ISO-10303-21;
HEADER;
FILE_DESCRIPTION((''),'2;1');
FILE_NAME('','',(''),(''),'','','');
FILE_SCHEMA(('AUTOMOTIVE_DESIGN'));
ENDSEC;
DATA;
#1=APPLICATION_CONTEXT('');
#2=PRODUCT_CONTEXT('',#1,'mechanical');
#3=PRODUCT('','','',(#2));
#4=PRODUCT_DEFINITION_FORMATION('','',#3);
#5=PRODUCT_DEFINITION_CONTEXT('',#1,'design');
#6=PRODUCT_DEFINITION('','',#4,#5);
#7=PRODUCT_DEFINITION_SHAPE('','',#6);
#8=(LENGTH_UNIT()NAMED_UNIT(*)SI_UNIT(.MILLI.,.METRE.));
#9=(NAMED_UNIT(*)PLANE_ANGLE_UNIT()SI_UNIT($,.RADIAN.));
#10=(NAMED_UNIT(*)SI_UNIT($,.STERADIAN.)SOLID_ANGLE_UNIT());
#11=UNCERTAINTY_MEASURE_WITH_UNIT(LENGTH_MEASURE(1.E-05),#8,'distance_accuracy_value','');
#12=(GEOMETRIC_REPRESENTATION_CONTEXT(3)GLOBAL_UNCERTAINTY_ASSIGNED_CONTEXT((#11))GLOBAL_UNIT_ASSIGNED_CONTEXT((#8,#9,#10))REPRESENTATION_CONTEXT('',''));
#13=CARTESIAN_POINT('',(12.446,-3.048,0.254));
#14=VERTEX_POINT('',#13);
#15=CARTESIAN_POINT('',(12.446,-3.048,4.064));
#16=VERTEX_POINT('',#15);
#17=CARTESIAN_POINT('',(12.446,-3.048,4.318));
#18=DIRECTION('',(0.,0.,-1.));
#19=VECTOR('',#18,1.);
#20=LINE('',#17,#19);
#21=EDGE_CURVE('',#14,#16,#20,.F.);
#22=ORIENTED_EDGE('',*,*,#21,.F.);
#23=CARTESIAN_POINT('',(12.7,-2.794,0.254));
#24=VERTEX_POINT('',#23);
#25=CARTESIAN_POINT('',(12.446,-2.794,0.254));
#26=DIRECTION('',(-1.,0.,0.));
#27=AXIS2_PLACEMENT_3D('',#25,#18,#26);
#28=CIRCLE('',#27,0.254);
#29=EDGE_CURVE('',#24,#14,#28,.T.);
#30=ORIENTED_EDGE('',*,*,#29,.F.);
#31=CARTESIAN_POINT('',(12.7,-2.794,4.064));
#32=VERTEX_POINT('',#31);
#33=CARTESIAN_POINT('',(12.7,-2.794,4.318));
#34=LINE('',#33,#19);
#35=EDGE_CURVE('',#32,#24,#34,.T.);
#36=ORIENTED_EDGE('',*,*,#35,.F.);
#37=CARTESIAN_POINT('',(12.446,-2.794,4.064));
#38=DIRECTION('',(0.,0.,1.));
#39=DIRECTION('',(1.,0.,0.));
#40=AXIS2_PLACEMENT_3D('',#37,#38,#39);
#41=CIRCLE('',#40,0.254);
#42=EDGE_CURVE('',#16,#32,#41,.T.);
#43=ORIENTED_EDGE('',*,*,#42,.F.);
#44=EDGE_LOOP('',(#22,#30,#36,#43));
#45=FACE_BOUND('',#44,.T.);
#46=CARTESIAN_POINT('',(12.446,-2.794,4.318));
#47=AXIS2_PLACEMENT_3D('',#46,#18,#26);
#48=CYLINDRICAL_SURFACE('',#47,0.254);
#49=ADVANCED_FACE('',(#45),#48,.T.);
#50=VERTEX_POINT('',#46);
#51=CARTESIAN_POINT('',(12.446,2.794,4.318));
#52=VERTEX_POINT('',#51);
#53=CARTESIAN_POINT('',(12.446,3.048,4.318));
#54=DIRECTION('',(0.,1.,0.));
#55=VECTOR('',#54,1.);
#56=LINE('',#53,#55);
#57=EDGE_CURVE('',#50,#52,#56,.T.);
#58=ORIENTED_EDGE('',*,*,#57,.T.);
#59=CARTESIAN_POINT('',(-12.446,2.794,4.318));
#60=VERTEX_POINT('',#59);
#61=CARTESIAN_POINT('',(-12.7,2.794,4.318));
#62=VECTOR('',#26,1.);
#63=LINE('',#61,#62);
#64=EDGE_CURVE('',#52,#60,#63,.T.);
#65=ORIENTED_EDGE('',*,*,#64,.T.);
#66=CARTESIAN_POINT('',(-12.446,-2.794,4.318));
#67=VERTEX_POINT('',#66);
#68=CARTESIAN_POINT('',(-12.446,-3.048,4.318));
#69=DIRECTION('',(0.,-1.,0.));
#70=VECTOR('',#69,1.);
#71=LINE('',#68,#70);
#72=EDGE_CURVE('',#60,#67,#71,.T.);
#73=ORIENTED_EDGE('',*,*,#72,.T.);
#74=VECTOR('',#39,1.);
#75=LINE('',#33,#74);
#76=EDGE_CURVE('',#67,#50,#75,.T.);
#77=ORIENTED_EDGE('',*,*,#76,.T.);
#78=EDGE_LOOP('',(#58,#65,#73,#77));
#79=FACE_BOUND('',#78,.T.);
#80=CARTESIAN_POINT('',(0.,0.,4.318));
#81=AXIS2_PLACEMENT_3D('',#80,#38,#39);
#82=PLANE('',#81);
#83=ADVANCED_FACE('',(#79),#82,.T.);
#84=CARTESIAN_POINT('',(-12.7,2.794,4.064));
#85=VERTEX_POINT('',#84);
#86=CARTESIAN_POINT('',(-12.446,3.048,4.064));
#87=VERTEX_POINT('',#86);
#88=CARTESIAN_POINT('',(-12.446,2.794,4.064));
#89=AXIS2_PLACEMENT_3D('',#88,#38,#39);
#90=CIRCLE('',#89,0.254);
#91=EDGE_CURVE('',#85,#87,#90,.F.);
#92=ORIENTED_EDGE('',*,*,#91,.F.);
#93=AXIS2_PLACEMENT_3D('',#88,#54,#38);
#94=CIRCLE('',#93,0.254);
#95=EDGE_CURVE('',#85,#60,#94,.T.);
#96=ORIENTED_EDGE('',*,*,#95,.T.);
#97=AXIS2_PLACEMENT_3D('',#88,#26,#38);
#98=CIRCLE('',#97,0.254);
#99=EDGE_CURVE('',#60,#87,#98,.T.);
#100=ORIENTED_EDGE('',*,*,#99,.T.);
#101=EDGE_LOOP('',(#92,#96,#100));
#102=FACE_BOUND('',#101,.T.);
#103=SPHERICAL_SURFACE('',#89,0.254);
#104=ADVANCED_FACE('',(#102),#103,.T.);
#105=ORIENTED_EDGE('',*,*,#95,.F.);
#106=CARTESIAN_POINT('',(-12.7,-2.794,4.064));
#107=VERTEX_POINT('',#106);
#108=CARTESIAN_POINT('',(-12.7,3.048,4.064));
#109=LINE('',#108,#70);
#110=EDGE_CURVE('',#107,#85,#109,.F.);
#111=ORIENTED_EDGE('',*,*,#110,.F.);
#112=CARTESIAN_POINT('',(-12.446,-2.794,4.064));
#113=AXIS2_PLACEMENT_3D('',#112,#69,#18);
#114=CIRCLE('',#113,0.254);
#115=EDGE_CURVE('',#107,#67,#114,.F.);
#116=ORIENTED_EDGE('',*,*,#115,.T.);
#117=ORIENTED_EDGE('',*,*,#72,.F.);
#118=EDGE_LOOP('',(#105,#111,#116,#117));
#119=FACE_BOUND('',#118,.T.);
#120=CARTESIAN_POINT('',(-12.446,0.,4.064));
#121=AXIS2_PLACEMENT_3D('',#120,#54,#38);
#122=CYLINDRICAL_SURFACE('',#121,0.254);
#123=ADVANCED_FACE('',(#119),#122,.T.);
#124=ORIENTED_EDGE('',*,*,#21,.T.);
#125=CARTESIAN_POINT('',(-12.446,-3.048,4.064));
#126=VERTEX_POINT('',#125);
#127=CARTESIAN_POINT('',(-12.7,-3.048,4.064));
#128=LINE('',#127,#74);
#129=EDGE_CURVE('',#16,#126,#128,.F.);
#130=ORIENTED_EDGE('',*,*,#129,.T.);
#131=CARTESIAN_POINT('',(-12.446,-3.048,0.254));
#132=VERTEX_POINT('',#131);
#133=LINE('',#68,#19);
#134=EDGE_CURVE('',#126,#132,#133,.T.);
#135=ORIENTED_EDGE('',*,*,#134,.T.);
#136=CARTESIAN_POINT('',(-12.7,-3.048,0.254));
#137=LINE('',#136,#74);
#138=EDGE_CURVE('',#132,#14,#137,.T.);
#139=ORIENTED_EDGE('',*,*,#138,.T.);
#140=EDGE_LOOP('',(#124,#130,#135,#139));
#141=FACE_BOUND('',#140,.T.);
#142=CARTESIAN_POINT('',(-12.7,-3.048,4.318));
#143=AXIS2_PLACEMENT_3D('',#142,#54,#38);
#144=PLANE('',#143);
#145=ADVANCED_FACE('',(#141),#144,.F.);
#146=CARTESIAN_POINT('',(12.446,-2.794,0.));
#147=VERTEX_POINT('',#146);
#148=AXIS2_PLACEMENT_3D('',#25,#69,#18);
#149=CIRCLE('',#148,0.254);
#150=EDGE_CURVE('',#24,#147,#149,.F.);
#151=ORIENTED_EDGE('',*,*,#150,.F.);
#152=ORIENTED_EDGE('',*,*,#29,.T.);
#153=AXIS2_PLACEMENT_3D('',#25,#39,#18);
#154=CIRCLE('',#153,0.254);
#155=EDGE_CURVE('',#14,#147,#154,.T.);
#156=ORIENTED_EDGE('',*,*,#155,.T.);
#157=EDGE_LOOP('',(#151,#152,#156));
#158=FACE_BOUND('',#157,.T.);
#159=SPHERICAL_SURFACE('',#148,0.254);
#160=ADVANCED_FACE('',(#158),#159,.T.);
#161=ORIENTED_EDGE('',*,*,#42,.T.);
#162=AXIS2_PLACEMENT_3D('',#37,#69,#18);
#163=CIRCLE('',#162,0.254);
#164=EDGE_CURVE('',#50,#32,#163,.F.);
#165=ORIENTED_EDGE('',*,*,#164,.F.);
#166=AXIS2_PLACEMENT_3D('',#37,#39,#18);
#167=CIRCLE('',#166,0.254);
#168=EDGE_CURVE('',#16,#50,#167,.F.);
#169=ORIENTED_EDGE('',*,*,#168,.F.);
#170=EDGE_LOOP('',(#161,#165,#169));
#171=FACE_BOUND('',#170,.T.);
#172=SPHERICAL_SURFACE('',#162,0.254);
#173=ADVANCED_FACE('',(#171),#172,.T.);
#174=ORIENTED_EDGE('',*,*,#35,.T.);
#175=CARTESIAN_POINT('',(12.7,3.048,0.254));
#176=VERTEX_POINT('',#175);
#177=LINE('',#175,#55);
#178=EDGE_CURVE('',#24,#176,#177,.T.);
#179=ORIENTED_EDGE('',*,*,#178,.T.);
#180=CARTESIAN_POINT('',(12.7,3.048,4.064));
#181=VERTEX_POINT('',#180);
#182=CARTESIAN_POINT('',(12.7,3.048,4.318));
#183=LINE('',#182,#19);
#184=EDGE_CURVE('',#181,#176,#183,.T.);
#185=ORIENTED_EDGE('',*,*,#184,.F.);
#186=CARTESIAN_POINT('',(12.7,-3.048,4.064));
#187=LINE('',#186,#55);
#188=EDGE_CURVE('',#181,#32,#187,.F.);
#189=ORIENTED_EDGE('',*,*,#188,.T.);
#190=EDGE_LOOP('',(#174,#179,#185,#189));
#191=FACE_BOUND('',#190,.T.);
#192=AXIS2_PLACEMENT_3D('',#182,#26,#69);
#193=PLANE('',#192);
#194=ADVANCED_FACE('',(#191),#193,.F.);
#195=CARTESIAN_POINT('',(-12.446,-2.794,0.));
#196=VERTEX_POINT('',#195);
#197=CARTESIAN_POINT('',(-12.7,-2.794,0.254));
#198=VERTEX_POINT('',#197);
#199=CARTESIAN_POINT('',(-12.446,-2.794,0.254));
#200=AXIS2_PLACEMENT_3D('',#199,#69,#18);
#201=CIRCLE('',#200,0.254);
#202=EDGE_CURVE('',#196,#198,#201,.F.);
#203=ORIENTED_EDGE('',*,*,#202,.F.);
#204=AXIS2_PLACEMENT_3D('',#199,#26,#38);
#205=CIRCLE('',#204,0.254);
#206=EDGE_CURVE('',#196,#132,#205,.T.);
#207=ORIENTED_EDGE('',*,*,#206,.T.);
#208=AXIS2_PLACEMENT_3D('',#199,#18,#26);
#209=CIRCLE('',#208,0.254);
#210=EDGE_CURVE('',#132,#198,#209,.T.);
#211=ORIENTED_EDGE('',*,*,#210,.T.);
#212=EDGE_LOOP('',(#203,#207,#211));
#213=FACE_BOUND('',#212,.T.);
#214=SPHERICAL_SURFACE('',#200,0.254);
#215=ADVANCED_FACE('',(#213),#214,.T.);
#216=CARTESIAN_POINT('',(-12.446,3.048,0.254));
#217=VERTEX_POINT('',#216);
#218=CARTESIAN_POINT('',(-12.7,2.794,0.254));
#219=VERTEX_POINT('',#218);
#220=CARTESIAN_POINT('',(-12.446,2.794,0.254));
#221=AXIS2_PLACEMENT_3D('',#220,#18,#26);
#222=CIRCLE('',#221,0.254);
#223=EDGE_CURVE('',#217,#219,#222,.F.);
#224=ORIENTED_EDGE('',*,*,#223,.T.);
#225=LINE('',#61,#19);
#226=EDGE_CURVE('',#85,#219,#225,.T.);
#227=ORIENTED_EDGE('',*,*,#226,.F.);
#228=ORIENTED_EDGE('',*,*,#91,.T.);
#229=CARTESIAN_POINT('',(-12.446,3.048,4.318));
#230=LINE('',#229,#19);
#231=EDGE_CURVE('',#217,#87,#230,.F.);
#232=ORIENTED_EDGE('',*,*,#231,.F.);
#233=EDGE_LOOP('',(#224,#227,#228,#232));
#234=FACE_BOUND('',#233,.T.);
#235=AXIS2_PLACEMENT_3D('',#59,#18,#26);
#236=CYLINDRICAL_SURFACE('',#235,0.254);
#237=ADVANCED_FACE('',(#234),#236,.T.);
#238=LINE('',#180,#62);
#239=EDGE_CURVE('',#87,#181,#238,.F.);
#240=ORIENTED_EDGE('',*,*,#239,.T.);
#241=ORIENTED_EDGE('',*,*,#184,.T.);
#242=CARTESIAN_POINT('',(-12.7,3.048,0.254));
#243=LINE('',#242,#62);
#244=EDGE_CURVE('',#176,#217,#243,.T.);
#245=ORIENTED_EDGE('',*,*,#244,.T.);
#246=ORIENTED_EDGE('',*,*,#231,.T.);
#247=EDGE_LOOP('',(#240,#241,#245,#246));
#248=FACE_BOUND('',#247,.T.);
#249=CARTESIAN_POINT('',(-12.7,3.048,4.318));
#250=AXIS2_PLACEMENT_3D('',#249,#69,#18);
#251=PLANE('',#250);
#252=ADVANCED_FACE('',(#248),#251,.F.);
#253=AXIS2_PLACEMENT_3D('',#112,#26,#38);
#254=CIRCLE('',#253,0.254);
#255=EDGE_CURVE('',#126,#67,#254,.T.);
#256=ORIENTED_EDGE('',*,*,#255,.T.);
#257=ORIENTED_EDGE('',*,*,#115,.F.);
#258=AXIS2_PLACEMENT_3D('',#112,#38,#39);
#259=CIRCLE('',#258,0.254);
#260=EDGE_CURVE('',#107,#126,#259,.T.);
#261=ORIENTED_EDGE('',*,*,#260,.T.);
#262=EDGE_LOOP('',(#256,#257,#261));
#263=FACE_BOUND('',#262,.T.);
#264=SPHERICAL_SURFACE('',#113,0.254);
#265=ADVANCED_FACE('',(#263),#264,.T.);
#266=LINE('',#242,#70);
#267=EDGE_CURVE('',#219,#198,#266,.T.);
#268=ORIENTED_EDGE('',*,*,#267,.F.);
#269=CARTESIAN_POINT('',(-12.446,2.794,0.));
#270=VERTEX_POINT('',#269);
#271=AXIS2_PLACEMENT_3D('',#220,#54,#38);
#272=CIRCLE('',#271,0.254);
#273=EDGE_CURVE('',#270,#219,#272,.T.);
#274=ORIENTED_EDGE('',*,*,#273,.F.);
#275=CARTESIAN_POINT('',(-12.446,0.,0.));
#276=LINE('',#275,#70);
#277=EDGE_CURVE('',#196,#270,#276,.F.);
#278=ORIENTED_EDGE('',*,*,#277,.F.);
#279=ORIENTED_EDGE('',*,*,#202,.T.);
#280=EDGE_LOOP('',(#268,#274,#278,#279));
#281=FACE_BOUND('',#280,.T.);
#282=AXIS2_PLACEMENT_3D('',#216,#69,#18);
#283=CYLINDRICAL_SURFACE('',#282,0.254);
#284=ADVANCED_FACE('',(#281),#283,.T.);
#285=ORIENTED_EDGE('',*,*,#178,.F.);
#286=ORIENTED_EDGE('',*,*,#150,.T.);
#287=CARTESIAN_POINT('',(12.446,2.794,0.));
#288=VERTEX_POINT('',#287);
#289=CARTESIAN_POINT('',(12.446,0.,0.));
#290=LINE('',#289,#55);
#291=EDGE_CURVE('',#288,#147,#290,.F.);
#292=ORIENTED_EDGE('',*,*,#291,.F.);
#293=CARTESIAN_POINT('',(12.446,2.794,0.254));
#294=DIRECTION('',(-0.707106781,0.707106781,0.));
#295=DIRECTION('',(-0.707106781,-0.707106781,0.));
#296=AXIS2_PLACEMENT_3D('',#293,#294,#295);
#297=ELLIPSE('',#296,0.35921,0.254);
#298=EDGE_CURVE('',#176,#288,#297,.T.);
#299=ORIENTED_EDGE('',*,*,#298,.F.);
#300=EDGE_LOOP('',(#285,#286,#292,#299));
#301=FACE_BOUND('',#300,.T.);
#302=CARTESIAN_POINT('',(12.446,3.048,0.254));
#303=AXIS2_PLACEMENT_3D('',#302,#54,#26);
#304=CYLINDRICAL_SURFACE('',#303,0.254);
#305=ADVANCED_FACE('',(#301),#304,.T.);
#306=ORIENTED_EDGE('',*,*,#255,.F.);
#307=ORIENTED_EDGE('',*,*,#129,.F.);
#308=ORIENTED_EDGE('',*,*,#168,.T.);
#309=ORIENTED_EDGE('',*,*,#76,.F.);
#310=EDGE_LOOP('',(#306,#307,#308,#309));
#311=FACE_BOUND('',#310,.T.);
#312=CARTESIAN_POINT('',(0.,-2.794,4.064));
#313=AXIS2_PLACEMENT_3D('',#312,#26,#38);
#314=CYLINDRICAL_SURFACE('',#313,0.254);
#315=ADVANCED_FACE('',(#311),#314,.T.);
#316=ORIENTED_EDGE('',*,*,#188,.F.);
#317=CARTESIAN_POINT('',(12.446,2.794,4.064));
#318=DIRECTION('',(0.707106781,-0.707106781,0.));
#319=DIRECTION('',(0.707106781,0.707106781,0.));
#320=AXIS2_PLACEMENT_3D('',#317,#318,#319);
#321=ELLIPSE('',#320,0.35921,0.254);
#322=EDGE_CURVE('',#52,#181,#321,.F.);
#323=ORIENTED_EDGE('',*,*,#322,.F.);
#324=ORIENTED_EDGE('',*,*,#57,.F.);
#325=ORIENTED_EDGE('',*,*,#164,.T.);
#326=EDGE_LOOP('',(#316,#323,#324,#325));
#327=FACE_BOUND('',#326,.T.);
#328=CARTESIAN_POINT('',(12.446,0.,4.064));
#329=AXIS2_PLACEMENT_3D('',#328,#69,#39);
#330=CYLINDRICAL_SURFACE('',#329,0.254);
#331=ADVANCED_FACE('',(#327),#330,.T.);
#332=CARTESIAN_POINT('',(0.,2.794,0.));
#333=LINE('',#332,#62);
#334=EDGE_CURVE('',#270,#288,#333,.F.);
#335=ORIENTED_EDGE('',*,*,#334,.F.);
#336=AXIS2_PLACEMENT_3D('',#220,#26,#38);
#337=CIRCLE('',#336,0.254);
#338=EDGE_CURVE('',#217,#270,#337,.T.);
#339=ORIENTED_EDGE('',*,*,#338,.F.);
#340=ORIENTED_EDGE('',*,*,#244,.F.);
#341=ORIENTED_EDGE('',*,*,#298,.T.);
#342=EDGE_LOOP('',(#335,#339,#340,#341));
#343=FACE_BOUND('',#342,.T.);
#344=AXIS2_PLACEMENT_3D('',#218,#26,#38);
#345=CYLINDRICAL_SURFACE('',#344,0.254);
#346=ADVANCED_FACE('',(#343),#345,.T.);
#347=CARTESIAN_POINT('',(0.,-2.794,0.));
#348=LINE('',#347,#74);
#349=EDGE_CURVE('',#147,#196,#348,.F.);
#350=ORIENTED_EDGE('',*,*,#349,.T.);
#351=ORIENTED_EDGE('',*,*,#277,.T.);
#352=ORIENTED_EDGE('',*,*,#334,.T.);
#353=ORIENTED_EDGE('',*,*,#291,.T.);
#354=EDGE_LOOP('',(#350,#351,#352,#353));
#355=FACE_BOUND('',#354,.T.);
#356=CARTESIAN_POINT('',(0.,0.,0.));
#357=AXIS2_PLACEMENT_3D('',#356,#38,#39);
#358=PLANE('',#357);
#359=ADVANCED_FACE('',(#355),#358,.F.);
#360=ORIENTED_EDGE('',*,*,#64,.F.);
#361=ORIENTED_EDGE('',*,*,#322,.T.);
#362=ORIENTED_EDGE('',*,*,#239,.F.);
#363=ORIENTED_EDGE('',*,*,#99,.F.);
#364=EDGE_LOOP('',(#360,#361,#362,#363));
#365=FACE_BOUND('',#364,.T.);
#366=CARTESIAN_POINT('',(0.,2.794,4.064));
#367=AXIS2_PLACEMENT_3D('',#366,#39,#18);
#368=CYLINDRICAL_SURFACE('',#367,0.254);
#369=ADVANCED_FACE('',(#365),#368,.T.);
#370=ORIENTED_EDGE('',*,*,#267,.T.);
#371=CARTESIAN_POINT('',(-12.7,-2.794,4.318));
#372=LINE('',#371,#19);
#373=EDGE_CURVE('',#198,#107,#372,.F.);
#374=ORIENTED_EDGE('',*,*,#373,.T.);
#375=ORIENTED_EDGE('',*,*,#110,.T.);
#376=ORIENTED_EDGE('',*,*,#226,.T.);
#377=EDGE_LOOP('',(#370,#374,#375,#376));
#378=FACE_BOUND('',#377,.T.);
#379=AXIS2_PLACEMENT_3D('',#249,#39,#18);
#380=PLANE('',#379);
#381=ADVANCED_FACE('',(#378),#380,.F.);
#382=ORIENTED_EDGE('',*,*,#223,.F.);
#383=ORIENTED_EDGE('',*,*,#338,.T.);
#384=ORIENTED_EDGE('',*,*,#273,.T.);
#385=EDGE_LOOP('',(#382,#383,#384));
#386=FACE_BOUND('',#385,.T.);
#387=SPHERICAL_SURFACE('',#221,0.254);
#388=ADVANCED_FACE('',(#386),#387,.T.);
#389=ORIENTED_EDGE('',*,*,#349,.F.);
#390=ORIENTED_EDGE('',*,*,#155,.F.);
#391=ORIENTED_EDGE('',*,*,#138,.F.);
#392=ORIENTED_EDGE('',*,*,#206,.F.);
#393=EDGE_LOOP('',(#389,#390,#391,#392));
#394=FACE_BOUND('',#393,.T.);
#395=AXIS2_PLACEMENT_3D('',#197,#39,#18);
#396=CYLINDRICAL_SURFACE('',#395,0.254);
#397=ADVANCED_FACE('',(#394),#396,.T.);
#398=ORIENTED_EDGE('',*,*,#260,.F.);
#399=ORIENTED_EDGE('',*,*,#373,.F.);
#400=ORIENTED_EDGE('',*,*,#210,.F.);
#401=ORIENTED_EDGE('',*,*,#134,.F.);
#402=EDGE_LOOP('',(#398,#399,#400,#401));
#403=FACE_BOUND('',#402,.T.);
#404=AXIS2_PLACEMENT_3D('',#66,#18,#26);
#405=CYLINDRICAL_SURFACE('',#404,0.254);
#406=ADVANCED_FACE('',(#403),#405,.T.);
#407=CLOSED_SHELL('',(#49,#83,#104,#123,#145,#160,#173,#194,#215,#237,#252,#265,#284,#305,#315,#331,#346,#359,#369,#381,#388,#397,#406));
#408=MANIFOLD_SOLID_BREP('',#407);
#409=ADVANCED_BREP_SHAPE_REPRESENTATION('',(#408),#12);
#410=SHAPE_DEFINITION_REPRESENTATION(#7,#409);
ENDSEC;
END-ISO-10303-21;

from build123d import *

# Parameters (mm, degrees)
SKETCH1_W           = 25.4
SKETCH1_H           = 6.096
BOSS_EXTRUDE1_DEPTH = 4.318
FILLET1_R           = 0.254


with BuildPart() as part:
    # Sketch1 → Boss-Extrude1 (new body)
    with BuildSketch(Plane.XY):
        Rectangle(SKETCH1_W, SKETCH1_H)
    extrude(amount=BOSS_EXTRUDE1_DEPTH)

    # Fillet1
    fillet1_edges = [part.edges().sort_by_distance(p)[0] for p in [
        (-12.7, 0, 4.318),
        (0, -3.048, 4.318),
        (12.7, 0, 4.318),
        (0, -3.048, 0),
        (-12.7, 0, 0),
        (0, 3.048, 0),
        (12.7, 0, 0),
        (12.7, -3.048, 2.159),
        (-12.7, -3.048, 2.159),
        (-12.7, 3.048, 2.159),
        (0, 3.048, 4.318),
    ]]
    fillet(fillet1_edges, radius=FILLET1_R)


solid = part.part
